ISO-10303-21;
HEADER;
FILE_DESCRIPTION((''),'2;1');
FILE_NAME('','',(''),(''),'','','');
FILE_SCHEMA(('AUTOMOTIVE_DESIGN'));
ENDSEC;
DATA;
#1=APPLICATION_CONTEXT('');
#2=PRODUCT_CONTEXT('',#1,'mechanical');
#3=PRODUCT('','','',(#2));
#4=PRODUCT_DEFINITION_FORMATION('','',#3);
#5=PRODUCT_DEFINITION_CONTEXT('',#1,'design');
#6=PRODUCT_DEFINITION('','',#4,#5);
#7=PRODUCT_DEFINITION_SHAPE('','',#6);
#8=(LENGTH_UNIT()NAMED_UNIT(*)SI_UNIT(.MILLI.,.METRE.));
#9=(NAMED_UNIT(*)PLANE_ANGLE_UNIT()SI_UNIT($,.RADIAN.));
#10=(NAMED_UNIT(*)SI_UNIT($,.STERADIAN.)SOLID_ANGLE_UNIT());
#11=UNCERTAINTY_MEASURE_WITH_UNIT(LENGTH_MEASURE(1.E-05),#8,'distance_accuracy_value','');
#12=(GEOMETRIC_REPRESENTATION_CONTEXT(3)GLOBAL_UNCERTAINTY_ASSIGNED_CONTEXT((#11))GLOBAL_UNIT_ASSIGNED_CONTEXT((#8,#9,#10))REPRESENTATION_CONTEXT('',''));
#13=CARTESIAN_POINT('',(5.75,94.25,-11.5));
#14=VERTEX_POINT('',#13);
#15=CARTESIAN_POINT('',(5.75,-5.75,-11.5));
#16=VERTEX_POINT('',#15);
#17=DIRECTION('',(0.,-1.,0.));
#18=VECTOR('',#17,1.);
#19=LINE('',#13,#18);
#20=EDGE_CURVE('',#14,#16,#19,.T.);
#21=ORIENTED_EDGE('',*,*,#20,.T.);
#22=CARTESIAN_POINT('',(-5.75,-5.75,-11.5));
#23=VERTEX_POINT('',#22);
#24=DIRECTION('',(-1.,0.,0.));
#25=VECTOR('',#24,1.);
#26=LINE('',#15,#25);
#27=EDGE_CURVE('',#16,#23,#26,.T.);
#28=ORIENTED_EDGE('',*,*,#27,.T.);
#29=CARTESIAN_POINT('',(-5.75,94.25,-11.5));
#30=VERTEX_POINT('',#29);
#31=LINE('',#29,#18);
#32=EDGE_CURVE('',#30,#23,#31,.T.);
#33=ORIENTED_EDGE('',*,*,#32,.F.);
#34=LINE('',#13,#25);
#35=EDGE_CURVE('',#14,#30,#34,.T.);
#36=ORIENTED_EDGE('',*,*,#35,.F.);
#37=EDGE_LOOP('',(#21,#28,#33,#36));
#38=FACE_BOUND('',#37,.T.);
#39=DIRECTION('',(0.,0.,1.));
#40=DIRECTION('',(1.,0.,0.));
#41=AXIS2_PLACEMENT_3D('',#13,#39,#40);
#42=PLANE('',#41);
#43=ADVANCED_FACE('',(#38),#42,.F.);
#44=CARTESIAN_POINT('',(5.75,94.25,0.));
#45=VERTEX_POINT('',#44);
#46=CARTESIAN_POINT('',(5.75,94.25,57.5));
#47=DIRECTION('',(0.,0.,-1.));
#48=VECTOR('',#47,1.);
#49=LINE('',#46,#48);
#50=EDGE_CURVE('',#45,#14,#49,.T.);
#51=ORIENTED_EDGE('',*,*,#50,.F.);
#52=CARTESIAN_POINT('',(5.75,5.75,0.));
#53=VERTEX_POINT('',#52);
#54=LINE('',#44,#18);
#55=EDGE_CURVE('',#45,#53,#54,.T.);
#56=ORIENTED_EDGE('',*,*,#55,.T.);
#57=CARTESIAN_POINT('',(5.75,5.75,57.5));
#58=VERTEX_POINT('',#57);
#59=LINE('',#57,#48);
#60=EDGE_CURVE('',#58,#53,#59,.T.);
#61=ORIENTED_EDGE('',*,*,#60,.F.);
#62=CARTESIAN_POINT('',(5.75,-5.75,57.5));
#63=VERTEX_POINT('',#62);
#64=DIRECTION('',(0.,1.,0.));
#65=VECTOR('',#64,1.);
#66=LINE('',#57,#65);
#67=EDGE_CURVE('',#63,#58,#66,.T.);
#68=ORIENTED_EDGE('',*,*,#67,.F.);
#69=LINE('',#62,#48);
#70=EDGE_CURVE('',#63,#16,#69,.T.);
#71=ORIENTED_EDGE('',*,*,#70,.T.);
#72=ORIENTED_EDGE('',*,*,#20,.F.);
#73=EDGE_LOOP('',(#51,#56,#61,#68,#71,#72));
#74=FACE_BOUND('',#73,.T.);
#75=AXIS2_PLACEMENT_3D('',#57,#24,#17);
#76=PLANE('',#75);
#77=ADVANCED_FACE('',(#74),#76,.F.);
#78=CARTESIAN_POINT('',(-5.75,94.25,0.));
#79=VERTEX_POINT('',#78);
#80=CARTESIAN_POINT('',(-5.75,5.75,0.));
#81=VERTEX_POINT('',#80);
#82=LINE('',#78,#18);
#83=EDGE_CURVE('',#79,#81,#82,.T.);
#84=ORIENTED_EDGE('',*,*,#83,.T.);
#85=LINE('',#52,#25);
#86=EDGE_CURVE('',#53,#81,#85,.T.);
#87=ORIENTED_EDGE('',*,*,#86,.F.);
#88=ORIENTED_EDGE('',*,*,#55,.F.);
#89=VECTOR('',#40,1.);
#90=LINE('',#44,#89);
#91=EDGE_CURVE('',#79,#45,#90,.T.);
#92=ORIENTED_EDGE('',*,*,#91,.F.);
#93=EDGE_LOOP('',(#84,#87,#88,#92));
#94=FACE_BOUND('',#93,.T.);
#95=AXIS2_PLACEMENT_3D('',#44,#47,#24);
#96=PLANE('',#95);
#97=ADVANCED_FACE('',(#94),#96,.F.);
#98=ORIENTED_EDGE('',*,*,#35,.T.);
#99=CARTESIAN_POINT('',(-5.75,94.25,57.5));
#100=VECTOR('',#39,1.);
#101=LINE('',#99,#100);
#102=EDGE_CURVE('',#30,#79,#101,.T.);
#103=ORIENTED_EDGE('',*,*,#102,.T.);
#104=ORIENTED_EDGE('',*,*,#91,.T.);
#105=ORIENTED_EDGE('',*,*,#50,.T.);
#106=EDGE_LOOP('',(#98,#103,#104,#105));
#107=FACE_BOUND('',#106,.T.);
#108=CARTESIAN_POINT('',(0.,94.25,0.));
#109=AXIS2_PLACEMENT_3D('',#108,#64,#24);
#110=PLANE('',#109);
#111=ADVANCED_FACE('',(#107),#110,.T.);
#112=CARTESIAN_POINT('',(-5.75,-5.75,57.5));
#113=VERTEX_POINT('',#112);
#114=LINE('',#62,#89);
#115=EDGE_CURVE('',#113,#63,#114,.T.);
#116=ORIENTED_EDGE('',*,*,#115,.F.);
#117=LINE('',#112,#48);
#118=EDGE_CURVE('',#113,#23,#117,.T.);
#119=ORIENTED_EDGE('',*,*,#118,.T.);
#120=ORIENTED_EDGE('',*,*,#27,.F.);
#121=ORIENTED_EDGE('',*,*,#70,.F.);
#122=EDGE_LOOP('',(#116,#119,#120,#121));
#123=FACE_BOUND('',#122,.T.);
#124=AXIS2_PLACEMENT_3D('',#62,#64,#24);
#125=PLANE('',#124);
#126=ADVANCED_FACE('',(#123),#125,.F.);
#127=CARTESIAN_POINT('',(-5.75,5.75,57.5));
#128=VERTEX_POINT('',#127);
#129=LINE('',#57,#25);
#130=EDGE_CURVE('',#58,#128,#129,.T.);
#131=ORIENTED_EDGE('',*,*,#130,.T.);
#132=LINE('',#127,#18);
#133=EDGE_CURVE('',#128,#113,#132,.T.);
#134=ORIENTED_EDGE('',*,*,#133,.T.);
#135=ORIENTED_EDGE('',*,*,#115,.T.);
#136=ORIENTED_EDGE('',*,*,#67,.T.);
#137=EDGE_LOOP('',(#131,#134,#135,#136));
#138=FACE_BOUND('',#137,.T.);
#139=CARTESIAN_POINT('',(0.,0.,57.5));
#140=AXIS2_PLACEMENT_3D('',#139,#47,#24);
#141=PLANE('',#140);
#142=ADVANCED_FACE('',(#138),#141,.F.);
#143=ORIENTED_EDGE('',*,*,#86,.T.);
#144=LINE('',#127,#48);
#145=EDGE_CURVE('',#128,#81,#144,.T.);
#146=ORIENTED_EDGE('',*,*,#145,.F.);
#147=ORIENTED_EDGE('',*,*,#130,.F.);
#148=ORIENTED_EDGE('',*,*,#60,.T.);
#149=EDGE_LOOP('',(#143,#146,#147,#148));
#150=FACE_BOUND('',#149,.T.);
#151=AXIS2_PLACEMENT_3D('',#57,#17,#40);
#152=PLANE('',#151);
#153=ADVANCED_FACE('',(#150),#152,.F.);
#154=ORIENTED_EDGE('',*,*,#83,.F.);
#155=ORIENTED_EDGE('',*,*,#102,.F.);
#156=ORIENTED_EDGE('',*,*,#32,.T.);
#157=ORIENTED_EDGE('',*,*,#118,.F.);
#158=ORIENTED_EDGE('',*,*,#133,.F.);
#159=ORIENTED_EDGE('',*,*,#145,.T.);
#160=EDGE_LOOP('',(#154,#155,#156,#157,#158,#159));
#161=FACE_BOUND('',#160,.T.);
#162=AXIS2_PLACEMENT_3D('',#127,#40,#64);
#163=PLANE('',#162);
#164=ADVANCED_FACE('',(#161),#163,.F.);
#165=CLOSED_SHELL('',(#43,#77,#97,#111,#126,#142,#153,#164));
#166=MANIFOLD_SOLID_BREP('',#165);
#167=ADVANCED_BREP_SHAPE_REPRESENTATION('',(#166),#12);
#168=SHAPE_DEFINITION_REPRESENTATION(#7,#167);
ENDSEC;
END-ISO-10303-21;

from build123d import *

# Parameters (mm, degrees)
SKETCH1_W           = 11.5
SKETCH1_H           = 11.5
BOSS_EXTRUDE1_DEPTH = 57.5
BOSS_EXTRUDE2_START = -5.75
SKETCH2_W           = 11.5
SKETCH2_H           = 11.5
BOSS_EXTRUDE2_DEPTH = 100


with BuildPart() as part:
    # Sketch1 → Boss-Extrude1 (new body)
    with BuildSketch(Plane.XY):
        Rectangle(SKETCH1_W, SKETCH1_H)
    extrude(amount=BOSS_EXTRUDE1_DEPTH)

    # Sketch2 → Boss-Extrude2 (add)
    with BuildSketch(Plane(origin=(0, 0, 0), x_dir=(1, 0, 0), z_dir=(0, 1, 0)).offset(BOSS_EXTRUDE2_START)):
        with Locations((0, 5.75)):
            Rectangle(SKETCH2_W, SKETCH2_H)
    extrude(amount=BOSS_EXTRUDE2_DEPTH)


solid = part.part
